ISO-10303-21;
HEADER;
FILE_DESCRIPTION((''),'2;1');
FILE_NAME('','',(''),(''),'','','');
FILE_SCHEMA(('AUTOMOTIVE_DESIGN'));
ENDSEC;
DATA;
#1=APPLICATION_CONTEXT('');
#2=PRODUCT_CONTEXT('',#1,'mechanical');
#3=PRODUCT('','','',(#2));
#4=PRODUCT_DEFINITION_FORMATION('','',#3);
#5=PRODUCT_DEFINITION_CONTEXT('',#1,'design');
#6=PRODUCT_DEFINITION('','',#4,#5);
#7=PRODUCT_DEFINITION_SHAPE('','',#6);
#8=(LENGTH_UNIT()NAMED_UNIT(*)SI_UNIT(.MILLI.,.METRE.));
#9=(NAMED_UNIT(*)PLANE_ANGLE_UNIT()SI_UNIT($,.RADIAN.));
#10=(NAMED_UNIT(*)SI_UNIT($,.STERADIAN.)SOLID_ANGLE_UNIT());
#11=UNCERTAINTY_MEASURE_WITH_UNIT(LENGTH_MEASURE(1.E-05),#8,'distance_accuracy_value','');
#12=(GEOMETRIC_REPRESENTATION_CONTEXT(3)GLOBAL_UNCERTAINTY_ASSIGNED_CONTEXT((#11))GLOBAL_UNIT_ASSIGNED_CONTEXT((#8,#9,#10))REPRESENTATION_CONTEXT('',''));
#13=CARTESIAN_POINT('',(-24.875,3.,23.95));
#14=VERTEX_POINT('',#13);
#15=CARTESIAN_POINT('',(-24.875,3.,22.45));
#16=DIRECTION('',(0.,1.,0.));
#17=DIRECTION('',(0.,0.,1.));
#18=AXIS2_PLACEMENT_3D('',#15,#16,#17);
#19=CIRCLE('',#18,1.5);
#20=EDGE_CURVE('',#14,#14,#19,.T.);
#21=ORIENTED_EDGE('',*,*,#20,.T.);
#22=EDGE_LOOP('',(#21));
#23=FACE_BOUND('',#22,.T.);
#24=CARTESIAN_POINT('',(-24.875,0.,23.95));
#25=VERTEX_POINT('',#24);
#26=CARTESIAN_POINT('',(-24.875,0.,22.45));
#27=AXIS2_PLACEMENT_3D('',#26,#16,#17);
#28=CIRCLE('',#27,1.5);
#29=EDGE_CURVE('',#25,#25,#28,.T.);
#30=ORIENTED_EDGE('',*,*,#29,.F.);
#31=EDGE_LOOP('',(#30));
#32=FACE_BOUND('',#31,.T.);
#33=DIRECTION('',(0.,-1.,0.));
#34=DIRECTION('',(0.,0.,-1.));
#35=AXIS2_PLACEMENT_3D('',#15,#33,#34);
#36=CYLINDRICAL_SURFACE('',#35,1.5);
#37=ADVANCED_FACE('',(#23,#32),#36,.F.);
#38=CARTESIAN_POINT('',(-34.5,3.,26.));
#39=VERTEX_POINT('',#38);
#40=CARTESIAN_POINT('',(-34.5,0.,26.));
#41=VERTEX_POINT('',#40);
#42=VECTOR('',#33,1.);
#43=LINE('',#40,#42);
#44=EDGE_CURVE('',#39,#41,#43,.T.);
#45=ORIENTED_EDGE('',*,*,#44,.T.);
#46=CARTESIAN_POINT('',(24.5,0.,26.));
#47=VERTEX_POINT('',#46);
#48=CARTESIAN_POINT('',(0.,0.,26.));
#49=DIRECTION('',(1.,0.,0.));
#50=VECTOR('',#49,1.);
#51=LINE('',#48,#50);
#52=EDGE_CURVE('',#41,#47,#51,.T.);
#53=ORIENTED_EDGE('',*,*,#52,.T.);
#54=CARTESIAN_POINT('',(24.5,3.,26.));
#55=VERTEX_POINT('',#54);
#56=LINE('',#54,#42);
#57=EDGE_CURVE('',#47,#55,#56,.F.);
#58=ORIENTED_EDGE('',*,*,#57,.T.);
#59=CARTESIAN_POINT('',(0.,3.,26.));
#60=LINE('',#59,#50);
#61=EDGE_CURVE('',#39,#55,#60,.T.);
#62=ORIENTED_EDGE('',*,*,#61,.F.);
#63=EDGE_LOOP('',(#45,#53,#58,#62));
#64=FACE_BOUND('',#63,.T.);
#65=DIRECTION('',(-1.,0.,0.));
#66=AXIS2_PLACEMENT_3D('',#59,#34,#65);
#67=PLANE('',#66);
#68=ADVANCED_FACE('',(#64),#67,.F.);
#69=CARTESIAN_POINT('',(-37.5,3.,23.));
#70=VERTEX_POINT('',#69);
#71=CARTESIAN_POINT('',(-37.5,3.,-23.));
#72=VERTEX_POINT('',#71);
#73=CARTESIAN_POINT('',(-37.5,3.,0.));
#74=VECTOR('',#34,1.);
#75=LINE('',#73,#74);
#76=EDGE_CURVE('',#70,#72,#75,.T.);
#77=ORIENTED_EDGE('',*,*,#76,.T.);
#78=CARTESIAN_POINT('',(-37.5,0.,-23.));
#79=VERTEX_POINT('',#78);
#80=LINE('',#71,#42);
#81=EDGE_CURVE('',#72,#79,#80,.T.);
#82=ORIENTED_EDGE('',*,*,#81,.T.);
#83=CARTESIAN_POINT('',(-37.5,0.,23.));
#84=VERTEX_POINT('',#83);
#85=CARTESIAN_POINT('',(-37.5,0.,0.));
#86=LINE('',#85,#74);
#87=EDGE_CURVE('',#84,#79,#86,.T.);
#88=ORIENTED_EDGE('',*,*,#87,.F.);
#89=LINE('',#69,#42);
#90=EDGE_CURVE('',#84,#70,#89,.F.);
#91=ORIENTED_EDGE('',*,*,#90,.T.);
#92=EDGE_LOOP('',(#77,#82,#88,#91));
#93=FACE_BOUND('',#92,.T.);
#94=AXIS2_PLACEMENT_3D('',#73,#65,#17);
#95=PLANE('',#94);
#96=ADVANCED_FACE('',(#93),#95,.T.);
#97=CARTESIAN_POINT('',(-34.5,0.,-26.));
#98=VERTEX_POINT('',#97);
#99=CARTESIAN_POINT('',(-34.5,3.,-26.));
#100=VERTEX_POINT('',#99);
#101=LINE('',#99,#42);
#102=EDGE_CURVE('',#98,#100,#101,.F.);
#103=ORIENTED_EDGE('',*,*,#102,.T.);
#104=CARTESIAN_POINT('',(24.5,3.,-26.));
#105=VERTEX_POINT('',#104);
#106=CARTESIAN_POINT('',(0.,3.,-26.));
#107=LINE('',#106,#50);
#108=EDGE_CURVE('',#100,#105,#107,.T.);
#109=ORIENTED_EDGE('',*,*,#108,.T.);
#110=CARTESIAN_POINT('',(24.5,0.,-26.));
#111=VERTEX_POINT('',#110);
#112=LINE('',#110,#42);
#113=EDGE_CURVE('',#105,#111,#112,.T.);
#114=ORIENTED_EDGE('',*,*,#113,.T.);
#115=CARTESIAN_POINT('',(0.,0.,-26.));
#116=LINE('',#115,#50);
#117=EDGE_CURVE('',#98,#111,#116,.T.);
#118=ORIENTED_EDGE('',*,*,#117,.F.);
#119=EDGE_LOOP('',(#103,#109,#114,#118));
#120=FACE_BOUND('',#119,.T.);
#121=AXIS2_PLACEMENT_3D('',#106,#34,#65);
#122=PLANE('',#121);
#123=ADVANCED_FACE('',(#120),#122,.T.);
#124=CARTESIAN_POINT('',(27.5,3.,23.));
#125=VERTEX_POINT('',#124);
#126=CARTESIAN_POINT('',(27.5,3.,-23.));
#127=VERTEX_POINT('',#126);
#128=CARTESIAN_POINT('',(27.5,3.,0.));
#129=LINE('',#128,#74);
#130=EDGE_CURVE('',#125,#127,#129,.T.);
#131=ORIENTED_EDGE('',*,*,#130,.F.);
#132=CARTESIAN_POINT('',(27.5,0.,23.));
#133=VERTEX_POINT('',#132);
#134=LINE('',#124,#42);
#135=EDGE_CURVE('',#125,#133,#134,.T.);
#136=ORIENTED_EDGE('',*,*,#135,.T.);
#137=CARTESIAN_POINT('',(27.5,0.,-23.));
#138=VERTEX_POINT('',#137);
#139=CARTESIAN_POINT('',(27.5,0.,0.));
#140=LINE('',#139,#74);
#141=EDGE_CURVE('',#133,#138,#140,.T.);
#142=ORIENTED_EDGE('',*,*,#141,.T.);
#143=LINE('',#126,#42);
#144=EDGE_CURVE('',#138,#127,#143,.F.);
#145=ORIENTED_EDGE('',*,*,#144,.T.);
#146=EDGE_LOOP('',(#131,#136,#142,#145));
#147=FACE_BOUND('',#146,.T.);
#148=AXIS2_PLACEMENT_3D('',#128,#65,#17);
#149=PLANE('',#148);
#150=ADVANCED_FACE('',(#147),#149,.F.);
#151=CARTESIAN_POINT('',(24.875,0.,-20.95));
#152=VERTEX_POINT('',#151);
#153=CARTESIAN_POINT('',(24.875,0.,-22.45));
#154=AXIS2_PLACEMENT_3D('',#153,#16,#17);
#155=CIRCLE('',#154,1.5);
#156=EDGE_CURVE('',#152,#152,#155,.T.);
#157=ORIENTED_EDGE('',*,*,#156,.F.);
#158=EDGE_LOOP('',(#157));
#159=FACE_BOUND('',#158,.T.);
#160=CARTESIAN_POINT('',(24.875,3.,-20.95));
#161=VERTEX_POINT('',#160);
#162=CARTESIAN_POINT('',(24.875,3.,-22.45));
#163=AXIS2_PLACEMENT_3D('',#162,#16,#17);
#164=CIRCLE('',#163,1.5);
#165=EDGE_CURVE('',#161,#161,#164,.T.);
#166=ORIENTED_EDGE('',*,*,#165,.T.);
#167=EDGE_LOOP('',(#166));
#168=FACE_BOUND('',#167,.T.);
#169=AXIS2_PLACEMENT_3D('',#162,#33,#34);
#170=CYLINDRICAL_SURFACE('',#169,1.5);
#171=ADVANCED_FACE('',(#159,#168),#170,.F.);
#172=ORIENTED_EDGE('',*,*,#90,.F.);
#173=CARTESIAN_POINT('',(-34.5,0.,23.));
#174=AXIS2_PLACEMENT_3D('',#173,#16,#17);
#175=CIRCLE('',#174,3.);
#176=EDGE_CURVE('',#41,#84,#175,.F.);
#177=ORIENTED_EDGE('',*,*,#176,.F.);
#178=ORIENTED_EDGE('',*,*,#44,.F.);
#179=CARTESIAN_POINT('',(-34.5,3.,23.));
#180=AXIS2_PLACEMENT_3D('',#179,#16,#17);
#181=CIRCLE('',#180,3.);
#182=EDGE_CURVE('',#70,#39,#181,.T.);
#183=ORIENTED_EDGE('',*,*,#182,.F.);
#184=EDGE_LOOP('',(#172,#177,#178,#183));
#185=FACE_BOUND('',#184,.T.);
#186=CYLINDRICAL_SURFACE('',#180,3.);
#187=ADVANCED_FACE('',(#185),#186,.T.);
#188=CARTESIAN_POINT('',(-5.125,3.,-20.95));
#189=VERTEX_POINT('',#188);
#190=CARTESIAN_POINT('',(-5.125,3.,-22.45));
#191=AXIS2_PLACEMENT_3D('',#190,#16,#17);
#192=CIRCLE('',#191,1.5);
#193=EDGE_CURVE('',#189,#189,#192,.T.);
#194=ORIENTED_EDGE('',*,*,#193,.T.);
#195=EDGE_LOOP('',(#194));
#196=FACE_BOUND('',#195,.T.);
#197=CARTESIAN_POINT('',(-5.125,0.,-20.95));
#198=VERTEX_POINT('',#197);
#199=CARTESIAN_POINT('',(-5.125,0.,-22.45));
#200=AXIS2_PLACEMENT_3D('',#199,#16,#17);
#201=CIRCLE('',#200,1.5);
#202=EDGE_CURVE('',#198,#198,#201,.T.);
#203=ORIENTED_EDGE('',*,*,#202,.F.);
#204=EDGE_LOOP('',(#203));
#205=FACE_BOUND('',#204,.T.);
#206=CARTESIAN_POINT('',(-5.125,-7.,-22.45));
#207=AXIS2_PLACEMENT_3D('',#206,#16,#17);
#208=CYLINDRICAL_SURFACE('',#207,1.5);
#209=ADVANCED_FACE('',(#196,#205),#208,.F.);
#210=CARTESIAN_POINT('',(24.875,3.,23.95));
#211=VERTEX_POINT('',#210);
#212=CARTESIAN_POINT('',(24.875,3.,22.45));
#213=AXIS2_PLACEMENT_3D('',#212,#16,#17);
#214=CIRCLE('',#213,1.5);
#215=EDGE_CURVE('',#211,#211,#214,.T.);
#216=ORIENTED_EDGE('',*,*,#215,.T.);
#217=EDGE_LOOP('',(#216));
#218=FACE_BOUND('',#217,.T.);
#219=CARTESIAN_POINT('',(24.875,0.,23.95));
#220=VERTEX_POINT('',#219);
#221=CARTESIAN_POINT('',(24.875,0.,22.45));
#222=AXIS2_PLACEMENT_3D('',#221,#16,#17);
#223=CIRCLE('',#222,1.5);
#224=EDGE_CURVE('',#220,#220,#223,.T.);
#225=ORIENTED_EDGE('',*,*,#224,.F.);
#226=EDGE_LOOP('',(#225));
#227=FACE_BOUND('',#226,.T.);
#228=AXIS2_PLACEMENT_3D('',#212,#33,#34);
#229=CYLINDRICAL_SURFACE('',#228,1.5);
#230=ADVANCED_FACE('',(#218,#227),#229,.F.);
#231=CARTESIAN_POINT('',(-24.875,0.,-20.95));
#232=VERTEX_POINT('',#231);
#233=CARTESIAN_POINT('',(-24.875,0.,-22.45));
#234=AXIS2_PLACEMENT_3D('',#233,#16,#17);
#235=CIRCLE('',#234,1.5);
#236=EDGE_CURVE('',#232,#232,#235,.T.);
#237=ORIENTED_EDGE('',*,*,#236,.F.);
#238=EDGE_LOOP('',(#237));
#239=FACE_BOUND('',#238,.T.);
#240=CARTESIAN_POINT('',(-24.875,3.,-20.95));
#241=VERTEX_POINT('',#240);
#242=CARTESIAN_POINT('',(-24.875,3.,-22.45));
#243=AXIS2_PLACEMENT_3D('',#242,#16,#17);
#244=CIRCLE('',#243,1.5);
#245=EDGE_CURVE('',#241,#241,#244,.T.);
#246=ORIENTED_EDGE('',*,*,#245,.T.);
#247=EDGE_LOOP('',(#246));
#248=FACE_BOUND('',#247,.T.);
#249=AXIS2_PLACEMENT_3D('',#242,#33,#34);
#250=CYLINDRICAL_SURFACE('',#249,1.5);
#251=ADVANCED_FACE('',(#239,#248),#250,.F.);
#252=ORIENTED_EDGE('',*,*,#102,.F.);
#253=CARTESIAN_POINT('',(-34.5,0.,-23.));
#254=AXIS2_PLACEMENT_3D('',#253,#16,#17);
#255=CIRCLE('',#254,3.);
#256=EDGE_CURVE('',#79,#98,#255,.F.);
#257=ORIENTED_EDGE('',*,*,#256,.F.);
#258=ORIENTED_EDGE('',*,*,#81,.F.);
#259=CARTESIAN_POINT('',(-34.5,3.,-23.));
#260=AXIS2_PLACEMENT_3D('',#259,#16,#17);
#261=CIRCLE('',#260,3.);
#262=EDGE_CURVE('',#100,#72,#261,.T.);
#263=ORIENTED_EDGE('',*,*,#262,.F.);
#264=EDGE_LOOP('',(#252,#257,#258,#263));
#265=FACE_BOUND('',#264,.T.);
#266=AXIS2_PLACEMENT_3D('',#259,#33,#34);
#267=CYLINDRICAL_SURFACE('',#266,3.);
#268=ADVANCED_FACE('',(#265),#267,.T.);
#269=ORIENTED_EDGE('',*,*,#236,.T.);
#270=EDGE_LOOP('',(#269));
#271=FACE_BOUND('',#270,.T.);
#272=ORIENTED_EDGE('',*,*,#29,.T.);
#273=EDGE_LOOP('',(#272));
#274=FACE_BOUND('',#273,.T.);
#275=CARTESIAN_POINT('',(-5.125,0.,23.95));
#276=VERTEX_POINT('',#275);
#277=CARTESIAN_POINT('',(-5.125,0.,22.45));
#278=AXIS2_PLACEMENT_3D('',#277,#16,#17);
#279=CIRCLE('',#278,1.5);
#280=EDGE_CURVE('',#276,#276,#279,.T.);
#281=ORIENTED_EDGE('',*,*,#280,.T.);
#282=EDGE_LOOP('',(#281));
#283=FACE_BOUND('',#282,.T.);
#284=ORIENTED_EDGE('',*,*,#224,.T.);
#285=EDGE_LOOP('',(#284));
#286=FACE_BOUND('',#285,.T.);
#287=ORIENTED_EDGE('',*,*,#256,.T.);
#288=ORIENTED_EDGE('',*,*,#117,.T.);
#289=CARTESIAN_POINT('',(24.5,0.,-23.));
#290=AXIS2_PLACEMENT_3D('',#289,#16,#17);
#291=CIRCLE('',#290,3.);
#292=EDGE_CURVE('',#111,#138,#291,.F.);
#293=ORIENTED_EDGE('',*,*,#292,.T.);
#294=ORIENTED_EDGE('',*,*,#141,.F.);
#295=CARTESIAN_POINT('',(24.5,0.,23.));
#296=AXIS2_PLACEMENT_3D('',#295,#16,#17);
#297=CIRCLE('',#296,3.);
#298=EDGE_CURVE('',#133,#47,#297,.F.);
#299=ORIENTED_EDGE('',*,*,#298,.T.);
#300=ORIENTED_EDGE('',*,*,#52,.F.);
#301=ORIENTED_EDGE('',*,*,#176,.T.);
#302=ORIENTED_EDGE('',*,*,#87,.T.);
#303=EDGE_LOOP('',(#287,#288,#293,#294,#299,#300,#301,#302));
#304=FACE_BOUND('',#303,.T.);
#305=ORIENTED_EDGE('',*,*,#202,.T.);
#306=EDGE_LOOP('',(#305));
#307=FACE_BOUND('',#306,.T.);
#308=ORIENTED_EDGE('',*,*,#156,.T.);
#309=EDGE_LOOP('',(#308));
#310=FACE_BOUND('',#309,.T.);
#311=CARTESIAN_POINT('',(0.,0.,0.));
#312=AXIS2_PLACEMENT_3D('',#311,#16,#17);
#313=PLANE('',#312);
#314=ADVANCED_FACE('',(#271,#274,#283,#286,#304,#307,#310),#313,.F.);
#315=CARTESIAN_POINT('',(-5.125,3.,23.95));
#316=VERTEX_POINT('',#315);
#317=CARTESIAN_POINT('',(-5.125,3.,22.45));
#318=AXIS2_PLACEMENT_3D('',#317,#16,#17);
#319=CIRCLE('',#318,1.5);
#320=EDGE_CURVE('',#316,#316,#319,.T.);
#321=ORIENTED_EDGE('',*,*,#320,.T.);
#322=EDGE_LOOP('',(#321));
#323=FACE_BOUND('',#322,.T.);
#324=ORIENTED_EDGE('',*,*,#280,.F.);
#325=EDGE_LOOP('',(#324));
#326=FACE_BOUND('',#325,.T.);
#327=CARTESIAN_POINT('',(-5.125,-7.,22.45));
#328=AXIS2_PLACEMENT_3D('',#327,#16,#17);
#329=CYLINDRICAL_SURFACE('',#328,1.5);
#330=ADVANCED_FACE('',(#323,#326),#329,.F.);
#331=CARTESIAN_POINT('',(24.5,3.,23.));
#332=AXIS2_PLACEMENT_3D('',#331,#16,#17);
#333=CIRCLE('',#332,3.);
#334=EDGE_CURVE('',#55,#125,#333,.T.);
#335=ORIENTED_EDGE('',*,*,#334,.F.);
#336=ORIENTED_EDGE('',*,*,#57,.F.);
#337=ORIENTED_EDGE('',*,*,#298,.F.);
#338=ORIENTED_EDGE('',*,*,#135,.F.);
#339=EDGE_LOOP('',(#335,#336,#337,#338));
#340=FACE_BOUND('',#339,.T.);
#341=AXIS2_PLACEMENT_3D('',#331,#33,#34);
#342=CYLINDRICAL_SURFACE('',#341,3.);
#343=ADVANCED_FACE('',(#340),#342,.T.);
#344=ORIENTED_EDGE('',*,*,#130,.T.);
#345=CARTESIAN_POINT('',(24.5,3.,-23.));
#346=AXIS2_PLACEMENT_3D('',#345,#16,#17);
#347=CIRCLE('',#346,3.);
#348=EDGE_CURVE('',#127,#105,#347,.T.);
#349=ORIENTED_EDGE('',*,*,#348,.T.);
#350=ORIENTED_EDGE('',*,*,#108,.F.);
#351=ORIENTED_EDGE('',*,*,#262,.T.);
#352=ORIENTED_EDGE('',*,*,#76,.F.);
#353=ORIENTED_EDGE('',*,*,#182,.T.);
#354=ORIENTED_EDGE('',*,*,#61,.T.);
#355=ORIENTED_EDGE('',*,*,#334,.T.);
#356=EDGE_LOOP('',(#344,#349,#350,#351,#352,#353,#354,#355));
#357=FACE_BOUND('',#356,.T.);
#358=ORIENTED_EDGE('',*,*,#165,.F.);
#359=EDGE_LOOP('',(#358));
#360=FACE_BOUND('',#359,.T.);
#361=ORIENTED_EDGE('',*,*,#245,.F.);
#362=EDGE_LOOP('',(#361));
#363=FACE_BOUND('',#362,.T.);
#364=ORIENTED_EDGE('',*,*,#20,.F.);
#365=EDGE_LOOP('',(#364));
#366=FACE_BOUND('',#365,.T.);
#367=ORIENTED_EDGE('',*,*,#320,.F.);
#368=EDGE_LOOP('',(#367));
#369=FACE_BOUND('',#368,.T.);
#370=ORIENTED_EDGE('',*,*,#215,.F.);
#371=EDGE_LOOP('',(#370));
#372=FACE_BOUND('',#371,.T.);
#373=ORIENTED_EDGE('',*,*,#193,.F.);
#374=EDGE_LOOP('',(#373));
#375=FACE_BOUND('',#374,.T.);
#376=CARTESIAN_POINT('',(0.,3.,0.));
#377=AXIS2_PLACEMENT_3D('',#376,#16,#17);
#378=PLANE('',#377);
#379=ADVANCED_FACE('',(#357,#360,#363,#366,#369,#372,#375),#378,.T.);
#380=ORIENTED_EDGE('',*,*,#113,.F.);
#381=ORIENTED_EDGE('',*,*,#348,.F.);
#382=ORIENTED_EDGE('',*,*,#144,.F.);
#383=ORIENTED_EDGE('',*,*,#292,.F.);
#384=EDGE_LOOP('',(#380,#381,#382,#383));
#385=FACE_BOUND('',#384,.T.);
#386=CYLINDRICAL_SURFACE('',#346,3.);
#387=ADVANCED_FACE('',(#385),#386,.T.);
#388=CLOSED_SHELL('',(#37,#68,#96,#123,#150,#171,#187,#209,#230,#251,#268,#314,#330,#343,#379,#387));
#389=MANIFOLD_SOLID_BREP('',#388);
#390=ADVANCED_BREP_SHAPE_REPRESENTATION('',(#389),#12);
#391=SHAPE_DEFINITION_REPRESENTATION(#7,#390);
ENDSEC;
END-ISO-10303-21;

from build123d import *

# Parameters (mm, degrees)
SKETCH2_W           = 65
SKETCH2_H           = 52
SKETCH2_R           = 1.5
BOSS_EXTRUDE1_DEPTH = 3
FILLET1_R           = 3
CUT_EXTRUDE1_START  = -10
SKETCH3_R           = 1.5
CUT_EXTRUDE1_DEPTH  = 10


with BuildPart() as part:
    # Sketch2 → Boss-Extrude1 (new body)
    with BuildSketch(Plane(origin=(0, 0, 0), x_dir=(1, 0, 0), z_dir=(0, 1, 0))):
        with Locations((-5, 0)):
            Rectangle(SKETCH2_W, SKETCH2_H)
        with Locations(Location((-24.875, 22.45, 0), (0, 0, 270))):
            Circle(SKETCH2_R, mode=Mode.SUBTRACT)
        with Locations(Location((24.875, 22.45, 0), (0, 0, 270))):
            Circle(SKETCH2_R, mode=Mode.SUBTRACT)
        with Locations(Location((24.875, -22.45, 0), (0, 0, 270))):
            Circle(SKETCH2_R, mode=Mode.SUBTRACT)
        with Locations(Location((-24.875, -22.45, 0), (0, 0, 270))):
            Circle(SKETCH2_R, mode=Mode.SUBTRACT)
    extrude(amount=BOSS_EXTRUDE1_DEPTH)

    # Fillet1
    fillet1_edges = [part.edges().sort_by_distance(p)[0] for p in [
        (-37.5, 1.5, 26),
        (-37.5, 1.5, -26),
        (27.5, 1.5, -26),
        (27.5, 1.5, 26),
    ]]
    fillet(fillet1_edges, radius=FILLET1_R)

    # Sketch3 → Cut-Extrude1 (cut)
    with BuildSketch(Plane(origin=(0, 3, 0), x_dir=(1, 0, 0), z_dir=(0, 1, 0)).offset(CUT_EXTRUDE1_START)):
        with Locations(Location((24.875, 22.45, 0), (0, 0, 270))):
            Circle(SKETCH3_R)
        with Locations(Location((-5.125, 22.45, 0), (0, 0, 270))):
            Circle(SKETCH3_R)
        with Locations(Location((-5.125, -22.45, 0), (0, 0, 270))):
            Circle(SKETCH3_R)
        with Locations(Location((24.875, -22.45, 0), (0, 0, 270))):
            Circle(SKETCH3_R)
    extrude(amount=CUT_EXTRUDE1_DEPTH, mode=Mode.SUBTRACT)


solid = part.part
